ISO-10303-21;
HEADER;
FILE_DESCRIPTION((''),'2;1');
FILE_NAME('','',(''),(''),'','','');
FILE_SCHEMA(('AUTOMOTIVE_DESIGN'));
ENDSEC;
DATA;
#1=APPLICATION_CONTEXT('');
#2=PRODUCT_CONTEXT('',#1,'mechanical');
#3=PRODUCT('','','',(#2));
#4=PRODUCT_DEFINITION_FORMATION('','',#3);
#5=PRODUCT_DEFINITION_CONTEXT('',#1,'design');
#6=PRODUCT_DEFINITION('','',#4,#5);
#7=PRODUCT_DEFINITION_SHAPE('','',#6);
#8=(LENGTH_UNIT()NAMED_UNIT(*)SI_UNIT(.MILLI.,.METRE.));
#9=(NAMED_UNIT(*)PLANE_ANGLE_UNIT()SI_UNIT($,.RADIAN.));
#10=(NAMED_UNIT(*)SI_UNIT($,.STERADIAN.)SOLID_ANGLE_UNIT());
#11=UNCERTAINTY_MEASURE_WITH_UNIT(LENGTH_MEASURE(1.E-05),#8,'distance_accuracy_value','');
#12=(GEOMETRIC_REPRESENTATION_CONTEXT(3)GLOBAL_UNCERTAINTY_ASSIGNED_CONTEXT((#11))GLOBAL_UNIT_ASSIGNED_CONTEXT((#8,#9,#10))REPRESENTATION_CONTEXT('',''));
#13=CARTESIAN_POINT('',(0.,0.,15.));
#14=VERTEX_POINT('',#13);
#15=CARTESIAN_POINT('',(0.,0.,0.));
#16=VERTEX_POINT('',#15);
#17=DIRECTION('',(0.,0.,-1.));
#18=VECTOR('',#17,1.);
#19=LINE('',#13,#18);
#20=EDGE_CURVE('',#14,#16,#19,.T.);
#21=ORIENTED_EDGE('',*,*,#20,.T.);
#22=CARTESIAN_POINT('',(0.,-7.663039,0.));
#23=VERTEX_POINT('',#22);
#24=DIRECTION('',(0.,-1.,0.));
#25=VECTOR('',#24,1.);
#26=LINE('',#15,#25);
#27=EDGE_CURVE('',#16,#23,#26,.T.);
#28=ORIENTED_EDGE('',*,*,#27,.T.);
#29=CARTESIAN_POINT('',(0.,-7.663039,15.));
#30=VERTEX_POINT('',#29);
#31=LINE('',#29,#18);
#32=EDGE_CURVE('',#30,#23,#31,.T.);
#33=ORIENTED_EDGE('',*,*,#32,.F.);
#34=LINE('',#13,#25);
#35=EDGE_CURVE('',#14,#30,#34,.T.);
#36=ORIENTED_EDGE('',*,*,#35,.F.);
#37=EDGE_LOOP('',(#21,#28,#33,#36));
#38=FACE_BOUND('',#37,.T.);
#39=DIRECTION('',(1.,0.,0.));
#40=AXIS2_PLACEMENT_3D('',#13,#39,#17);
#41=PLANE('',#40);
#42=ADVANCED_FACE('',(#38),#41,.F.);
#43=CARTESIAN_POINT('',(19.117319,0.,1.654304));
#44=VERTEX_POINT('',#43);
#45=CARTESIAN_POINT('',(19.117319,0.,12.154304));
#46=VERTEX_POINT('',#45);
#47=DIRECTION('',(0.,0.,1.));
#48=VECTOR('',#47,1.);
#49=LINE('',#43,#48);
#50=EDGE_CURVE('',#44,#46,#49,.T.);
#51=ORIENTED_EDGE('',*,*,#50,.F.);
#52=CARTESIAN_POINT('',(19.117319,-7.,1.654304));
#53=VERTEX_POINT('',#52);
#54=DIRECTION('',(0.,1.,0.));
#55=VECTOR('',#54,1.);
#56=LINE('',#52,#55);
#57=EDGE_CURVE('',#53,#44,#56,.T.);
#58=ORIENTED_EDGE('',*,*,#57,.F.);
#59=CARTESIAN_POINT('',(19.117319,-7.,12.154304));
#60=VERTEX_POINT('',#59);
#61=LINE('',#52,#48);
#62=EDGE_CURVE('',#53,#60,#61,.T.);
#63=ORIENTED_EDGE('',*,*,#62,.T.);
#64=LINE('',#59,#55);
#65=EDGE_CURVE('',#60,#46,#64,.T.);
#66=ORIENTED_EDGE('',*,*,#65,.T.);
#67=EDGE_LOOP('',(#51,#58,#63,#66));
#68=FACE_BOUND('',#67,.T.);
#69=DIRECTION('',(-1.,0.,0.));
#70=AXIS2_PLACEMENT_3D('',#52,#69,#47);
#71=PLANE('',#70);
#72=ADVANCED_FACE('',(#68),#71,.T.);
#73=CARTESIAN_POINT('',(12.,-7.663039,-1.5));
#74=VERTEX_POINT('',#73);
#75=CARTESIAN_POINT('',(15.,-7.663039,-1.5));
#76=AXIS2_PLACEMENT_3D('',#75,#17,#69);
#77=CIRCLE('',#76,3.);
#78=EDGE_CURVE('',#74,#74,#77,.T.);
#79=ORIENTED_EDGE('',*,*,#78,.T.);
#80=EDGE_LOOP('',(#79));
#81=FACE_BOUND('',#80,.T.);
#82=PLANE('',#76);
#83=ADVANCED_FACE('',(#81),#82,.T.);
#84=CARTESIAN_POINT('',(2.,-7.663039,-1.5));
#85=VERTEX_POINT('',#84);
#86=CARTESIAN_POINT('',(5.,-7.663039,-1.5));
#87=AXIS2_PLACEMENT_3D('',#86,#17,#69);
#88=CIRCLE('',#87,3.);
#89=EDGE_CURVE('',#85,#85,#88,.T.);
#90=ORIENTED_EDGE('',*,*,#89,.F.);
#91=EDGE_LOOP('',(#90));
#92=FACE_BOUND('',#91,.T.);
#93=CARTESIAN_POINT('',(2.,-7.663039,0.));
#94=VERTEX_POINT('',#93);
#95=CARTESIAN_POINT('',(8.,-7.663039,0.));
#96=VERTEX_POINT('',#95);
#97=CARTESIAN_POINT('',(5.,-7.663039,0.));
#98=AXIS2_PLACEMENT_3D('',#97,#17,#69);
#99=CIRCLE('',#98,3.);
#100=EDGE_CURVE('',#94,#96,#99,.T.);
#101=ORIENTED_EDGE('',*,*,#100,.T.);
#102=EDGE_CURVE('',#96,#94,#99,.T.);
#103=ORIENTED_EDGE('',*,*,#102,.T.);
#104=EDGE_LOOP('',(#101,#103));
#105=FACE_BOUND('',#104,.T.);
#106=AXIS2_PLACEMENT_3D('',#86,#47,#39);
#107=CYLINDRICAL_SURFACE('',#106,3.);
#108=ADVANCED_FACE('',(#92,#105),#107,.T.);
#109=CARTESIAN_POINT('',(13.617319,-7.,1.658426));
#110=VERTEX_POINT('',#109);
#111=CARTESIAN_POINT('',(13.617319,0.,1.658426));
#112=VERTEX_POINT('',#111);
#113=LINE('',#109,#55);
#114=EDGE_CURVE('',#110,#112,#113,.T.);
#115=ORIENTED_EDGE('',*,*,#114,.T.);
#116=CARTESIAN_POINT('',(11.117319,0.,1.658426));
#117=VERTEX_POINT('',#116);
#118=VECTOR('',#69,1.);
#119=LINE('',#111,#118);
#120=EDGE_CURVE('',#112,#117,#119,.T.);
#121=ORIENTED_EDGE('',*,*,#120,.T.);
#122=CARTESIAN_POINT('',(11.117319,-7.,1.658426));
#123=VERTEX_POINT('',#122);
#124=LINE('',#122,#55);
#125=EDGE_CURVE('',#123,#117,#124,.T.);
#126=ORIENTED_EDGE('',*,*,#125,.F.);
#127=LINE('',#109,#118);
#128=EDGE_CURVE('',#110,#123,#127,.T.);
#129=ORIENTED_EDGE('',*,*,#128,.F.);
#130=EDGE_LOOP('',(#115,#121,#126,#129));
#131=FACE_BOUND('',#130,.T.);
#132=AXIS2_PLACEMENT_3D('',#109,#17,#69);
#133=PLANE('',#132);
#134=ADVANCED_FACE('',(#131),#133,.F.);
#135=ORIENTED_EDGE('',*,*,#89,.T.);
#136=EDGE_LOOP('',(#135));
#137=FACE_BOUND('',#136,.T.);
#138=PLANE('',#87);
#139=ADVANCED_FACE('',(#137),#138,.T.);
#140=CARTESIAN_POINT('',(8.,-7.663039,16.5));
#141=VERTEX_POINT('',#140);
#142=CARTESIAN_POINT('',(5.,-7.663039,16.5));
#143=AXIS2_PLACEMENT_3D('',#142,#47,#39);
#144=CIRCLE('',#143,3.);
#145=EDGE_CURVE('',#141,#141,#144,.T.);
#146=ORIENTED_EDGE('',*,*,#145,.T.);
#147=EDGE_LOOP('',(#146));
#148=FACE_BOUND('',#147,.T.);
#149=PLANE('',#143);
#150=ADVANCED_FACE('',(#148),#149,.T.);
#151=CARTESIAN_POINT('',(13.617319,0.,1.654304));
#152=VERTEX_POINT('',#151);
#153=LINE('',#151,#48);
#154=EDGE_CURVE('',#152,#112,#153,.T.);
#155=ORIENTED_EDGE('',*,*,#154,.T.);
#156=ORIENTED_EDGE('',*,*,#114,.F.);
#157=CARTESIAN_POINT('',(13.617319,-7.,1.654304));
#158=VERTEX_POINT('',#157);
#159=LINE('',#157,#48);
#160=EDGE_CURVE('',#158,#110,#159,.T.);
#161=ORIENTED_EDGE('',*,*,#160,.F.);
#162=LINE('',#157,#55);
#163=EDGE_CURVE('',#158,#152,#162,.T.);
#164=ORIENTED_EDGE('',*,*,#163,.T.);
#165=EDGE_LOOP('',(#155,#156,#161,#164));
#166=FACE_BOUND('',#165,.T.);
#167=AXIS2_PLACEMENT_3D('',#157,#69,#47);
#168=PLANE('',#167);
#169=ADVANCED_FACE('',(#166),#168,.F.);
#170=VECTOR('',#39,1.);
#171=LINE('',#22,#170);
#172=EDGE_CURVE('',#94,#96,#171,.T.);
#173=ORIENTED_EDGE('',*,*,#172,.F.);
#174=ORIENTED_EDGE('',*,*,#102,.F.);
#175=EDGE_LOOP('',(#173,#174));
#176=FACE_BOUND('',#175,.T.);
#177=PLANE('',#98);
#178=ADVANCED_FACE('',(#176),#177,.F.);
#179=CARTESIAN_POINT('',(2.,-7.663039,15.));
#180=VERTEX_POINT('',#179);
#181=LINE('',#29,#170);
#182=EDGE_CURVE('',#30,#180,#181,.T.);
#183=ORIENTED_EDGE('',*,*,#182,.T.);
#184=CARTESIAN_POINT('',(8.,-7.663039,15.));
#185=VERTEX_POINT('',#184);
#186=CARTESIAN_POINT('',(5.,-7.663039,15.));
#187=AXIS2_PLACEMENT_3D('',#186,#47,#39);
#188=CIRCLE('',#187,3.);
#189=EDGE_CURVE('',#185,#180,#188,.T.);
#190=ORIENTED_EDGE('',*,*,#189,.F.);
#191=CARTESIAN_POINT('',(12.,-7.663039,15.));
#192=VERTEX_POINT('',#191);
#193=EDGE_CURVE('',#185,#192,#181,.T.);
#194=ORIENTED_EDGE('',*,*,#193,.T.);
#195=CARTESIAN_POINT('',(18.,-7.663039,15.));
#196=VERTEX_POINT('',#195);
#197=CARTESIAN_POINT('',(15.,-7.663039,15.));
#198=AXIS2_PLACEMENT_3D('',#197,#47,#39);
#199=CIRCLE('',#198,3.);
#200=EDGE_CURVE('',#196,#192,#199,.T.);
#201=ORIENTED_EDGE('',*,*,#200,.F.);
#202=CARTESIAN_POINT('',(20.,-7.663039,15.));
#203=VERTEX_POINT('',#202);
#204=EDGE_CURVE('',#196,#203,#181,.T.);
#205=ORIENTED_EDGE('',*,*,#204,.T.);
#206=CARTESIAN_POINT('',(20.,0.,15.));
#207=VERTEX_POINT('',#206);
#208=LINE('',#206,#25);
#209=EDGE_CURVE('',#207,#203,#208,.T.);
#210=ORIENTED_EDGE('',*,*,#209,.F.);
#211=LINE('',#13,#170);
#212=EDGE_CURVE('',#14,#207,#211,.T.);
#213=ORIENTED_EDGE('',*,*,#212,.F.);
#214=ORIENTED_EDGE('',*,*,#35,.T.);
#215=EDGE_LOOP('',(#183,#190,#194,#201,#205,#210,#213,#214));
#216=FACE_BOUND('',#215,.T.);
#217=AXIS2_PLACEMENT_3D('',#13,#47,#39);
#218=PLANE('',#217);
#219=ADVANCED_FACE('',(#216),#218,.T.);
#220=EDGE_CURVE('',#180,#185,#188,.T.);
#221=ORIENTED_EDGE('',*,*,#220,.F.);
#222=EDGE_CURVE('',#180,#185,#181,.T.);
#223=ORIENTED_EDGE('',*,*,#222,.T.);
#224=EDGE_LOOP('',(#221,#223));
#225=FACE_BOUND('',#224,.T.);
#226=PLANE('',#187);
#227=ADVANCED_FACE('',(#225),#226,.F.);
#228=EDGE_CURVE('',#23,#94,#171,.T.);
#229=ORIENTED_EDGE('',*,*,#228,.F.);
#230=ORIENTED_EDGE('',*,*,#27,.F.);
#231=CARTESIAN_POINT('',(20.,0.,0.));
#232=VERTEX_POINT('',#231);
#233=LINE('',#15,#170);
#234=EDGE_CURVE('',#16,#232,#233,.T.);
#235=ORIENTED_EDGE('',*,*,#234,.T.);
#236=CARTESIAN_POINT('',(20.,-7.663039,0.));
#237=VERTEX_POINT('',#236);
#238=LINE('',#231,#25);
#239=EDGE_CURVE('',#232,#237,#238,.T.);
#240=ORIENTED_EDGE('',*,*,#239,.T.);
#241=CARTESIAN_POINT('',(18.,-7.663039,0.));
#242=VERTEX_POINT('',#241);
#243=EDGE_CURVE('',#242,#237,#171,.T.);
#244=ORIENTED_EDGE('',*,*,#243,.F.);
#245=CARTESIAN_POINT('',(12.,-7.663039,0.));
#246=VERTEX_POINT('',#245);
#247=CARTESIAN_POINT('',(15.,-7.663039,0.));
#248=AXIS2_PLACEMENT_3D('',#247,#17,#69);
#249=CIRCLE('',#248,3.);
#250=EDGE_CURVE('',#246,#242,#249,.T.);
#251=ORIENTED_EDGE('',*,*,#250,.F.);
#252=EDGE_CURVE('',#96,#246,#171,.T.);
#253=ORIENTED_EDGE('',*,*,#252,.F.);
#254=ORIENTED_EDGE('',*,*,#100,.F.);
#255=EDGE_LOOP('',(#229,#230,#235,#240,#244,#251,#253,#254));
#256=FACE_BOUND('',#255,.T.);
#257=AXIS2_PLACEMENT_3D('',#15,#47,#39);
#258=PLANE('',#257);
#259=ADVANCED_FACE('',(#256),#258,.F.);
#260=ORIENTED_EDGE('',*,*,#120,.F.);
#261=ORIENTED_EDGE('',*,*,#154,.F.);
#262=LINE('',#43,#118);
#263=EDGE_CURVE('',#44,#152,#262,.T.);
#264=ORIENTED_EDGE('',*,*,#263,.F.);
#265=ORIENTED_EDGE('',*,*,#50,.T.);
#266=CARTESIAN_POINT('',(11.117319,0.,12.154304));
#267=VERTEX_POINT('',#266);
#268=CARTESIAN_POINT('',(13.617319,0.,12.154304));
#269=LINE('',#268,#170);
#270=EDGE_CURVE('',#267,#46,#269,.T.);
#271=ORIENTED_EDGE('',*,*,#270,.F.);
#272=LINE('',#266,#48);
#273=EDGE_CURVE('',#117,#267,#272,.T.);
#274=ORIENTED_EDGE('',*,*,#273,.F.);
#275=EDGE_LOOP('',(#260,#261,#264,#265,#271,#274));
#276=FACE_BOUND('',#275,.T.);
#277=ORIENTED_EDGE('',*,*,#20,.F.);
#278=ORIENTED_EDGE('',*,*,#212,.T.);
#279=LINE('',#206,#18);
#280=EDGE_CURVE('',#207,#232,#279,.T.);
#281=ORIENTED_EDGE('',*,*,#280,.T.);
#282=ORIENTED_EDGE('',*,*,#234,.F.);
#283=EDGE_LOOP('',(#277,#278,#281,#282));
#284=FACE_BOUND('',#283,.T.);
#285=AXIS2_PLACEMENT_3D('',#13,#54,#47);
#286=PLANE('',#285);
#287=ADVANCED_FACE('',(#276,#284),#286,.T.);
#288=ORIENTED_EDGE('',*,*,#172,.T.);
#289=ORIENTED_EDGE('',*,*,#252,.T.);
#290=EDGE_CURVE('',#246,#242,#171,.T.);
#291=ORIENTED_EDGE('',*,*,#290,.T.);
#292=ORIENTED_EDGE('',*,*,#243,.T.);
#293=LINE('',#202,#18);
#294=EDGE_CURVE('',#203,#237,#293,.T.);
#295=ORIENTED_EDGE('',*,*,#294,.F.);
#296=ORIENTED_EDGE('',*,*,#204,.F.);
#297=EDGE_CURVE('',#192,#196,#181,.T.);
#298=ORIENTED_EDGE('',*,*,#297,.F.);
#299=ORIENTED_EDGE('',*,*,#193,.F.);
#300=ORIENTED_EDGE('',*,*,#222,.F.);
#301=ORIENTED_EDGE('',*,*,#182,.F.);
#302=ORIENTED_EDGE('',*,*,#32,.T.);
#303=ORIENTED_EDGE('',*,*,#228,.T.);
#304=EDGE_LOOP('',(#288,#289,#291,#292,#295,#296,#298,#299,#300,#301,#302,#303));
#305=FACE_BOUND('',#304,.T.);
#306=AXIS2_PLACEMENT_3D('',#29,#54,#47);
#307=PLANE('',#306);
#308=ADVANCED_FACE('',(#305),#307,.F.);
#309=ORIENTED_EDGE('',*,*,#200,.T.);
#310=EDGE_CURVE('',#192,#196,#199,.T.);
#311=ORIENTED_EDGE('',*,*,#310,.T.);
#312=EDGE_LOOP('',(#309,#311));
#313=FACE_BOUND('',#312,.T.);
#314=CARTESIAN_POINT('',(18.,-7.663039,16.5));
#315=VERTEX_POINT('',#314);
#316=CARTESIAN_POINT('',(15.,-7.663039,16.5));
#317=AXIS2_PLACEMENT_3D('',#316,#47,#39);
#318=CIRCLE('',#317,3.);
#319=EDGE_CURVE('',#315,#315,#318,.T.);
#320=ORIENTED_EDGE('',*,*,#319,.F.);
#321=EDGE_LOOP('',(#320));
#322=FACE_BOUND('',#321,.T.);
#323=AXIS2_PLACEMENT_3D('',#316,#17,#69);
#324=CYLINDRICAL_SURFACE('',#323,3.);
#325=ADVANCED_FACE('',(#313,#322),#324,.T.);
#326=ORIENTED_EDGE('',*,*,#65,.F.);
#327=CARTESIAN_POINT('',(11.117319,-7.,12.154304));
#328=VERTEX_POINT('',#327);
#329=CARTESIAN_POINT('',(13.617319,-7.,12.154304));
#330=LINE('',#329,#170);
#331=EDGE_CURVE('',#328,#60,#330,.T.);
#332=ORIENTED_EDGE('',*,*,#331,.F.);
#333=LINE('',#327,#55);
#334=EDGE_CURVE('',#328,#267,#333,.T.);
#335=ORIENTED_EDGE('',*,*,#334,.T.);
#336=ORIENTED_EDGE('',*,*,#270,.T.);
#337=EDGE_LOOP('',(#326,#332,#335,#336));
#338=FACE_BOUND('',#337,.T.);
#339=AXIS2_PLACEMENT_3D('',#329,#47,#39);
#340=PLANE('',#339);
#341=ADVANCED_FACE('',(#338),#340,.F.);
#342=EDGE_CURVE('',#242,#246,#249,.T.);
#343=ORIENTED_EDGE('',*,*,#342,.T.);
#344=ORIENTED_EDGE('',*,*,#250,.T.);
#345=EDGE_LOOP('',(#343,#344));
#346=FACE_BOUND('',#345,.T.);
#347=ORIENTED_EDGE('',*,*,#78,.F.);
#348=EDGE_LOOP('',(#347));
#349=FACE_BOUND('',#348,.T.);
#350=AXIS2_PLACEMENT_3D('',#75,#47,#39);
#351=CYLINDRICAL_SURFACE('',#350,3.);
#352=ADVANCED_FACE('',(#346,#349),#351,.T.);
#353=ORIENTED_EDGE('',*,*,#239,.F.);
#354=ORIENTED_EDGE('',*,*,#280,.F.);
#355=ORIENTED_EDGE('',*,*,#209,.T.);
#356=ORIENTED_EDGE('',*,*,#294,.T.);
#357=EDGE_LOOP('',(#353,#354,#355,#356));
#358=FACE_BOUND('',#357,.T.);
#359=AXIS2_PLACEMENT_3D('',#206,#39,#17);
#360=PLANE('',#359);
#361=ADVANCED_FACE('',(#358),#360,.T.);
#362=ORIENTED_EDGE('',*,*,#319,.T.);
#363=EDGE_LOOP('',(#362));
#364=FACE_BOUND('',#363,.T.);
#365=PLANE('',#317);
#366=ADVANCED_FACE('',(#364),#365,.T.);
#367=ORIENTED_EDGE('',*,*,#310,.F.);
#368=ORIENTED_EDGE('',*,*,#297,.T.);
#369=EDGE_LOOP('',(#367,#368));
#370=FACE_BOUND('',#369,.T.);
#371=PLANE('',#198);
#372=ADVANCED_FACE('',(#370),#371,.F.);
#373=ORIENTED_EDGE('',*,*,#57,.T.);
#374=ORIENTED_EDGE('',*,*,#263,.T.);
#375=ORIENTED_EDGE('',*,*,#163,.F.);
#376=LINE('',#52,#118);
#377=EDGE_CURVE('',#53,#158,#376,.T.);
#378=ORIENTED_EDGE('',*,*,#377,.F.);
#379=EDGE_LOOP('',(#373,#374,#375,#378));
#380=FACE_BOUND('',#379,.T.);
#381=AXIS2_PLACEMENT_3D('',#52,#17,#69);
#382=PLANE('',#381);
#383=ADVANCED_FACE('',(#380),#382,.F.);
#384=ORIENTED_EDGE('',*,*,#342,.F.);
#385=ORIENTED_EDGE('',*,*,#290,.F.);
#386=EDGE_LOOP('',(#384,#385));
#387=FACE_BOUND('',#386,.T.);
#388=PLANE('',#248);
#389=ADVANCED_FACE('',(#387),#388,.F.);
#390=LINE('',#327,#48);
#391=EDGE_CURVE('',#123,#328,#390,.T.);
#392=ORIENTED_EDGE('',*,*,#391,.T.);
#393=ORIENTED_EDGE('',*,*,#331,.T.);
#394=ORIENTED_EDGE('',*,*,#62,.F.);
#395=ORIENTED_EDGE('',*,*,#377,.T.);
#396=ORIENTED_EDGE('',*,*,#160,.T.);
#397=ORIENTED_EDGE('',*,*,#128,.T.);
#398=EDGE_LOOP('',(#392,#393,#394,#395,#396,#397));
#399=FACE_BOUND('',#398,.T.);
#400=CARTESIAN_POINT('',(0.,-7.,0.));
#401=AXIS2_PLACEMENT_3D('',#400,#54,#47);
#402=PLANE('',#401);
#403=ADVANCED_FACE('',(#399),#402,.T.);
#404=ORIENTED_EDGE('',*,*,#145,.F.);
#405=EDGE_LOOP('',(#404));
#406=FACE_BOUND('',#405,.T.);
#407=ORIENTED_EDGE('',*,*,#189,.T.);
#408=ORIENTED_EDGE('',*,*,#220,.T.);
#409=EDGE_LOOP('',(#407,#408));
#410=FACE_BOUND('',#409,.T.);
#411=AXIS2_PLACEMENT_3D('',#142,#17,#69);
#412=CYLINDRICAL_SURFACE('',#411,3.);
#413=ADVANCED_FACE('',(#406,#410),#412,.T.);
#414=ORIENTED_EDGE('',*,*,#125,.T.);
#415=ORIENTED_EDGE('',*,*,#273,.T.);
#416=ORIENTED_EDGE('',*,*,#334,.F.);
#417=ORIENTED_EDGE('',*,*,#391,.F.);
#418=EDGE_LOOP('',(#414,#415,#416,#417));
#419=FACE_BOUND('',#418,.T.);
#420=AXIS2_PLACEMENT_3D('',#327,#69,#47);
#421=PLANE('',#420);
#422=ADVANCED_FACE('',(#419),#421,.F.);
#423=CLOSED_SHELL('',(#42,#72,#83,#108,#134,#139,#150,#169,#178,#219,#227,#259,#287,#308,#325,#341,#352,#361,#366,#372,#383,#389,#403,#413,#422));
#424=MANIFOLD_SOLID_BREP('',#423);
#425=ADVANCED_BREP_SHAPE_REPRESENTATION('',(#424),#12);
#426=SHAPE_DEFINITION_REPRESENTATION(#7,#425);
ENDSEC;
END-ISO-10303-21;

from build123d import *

# Parameters (mm, degrees)
SKETCH7_W           = 20
SKETCH7_H           = 7.663039205
BOSS_EXTRUDE2_DEPTH = 15
SKETCH8_W           = 5.5
SKETCH8_H           = 10.5
CUT_EXTRUDE3_DEPTH  = 7
SKETCH9_R           = 3
BOSS_EXTRUDE4_DEPTH = 1.5
SKETCH11_R          = 3
BOSS_EXTRUDE6_DEPTH = 1.5
SKETCH12_R          = 3
BOSS_EXTRUDE7_DEPTH = 1.5
SKETCH13_W          = 2.5
SKETCH13_H          = 10.495878043
CUT_EXTRUDE4_DEPTH  = 7


with BuildPart() as part:
    # Sketch7 → Boss-Extrude2 (new body)
    with BuildSketch(Plane.XY):
        with Locations((10, -3.831519603)):
            Rectangle(SKETCH7_W, SKETCH7_H)
    extrude(amount=BOSS_EXTRUDE2_DEPTH)

    # Sketch8 → Cut-Extrude3 (cut)
    with BuildSketch(Plane(origin=(0, 0, 0), x_dir=(1, 0, 0), z_dir=(0, 1, 0))):
        with Locations((16.367319257, -6.904304489)):
            Rectangle(SKETCH8_W, SKETCH8_H)
    extrude(amount=-CUT_EXTRUDE3_DEPTH, mode=Mode.SUBTRACT)

    # Sketch9 → Boss-Extrude4 (add)
    with BuildSketch(Plane.XY.offset(15)):
        with Locations((15, -7.663039205)):
            Circle(SKETCH9_R)
    extrude(amount=BOSS_EXTRUDE4_DEPTH)

    # Sketch11 → Boss-Extrude6 (add)
    with BuildSketch(Plane.XY.offset(15)):
        with Locations((5, -7.663039205)):
            Circle(SKETCH11_R)
    extrude(amount=BOSS_EXTRUDE6_DEPTH)

    # Sketch12 → Boss-Extrude7 (add)
    with BuildSketch(Plane(origin=(0, 0, 0), x_dir=(-1, 0, 0), z_dir=(0, 0, -1))):
        with Locations((-15, -7.663039205)):
            Circle(SKETCH12_R)
        with Locations((-5, -7.663039205)):
            Circle(SKETCH12_R)
    extrude(amount=BOSS_EXTRUDE7_DEPTH)

    # Sketch13 → Cut-Extrude4 (cut)
    with BuildSketch(Plane(origin=(0, 0, 0), x_dir=(1, 0, 0), z_dir=(0, 1, 0))):
        with Locations((12.367319257, -6.906365468)):
            Rectangle(SKETCH13_W, SKETCH13_H)
    extrude(amount=-CUT_EXTRUDE4_DEPTH, mode=Mode.SUBTRACT)


solid = part.part
